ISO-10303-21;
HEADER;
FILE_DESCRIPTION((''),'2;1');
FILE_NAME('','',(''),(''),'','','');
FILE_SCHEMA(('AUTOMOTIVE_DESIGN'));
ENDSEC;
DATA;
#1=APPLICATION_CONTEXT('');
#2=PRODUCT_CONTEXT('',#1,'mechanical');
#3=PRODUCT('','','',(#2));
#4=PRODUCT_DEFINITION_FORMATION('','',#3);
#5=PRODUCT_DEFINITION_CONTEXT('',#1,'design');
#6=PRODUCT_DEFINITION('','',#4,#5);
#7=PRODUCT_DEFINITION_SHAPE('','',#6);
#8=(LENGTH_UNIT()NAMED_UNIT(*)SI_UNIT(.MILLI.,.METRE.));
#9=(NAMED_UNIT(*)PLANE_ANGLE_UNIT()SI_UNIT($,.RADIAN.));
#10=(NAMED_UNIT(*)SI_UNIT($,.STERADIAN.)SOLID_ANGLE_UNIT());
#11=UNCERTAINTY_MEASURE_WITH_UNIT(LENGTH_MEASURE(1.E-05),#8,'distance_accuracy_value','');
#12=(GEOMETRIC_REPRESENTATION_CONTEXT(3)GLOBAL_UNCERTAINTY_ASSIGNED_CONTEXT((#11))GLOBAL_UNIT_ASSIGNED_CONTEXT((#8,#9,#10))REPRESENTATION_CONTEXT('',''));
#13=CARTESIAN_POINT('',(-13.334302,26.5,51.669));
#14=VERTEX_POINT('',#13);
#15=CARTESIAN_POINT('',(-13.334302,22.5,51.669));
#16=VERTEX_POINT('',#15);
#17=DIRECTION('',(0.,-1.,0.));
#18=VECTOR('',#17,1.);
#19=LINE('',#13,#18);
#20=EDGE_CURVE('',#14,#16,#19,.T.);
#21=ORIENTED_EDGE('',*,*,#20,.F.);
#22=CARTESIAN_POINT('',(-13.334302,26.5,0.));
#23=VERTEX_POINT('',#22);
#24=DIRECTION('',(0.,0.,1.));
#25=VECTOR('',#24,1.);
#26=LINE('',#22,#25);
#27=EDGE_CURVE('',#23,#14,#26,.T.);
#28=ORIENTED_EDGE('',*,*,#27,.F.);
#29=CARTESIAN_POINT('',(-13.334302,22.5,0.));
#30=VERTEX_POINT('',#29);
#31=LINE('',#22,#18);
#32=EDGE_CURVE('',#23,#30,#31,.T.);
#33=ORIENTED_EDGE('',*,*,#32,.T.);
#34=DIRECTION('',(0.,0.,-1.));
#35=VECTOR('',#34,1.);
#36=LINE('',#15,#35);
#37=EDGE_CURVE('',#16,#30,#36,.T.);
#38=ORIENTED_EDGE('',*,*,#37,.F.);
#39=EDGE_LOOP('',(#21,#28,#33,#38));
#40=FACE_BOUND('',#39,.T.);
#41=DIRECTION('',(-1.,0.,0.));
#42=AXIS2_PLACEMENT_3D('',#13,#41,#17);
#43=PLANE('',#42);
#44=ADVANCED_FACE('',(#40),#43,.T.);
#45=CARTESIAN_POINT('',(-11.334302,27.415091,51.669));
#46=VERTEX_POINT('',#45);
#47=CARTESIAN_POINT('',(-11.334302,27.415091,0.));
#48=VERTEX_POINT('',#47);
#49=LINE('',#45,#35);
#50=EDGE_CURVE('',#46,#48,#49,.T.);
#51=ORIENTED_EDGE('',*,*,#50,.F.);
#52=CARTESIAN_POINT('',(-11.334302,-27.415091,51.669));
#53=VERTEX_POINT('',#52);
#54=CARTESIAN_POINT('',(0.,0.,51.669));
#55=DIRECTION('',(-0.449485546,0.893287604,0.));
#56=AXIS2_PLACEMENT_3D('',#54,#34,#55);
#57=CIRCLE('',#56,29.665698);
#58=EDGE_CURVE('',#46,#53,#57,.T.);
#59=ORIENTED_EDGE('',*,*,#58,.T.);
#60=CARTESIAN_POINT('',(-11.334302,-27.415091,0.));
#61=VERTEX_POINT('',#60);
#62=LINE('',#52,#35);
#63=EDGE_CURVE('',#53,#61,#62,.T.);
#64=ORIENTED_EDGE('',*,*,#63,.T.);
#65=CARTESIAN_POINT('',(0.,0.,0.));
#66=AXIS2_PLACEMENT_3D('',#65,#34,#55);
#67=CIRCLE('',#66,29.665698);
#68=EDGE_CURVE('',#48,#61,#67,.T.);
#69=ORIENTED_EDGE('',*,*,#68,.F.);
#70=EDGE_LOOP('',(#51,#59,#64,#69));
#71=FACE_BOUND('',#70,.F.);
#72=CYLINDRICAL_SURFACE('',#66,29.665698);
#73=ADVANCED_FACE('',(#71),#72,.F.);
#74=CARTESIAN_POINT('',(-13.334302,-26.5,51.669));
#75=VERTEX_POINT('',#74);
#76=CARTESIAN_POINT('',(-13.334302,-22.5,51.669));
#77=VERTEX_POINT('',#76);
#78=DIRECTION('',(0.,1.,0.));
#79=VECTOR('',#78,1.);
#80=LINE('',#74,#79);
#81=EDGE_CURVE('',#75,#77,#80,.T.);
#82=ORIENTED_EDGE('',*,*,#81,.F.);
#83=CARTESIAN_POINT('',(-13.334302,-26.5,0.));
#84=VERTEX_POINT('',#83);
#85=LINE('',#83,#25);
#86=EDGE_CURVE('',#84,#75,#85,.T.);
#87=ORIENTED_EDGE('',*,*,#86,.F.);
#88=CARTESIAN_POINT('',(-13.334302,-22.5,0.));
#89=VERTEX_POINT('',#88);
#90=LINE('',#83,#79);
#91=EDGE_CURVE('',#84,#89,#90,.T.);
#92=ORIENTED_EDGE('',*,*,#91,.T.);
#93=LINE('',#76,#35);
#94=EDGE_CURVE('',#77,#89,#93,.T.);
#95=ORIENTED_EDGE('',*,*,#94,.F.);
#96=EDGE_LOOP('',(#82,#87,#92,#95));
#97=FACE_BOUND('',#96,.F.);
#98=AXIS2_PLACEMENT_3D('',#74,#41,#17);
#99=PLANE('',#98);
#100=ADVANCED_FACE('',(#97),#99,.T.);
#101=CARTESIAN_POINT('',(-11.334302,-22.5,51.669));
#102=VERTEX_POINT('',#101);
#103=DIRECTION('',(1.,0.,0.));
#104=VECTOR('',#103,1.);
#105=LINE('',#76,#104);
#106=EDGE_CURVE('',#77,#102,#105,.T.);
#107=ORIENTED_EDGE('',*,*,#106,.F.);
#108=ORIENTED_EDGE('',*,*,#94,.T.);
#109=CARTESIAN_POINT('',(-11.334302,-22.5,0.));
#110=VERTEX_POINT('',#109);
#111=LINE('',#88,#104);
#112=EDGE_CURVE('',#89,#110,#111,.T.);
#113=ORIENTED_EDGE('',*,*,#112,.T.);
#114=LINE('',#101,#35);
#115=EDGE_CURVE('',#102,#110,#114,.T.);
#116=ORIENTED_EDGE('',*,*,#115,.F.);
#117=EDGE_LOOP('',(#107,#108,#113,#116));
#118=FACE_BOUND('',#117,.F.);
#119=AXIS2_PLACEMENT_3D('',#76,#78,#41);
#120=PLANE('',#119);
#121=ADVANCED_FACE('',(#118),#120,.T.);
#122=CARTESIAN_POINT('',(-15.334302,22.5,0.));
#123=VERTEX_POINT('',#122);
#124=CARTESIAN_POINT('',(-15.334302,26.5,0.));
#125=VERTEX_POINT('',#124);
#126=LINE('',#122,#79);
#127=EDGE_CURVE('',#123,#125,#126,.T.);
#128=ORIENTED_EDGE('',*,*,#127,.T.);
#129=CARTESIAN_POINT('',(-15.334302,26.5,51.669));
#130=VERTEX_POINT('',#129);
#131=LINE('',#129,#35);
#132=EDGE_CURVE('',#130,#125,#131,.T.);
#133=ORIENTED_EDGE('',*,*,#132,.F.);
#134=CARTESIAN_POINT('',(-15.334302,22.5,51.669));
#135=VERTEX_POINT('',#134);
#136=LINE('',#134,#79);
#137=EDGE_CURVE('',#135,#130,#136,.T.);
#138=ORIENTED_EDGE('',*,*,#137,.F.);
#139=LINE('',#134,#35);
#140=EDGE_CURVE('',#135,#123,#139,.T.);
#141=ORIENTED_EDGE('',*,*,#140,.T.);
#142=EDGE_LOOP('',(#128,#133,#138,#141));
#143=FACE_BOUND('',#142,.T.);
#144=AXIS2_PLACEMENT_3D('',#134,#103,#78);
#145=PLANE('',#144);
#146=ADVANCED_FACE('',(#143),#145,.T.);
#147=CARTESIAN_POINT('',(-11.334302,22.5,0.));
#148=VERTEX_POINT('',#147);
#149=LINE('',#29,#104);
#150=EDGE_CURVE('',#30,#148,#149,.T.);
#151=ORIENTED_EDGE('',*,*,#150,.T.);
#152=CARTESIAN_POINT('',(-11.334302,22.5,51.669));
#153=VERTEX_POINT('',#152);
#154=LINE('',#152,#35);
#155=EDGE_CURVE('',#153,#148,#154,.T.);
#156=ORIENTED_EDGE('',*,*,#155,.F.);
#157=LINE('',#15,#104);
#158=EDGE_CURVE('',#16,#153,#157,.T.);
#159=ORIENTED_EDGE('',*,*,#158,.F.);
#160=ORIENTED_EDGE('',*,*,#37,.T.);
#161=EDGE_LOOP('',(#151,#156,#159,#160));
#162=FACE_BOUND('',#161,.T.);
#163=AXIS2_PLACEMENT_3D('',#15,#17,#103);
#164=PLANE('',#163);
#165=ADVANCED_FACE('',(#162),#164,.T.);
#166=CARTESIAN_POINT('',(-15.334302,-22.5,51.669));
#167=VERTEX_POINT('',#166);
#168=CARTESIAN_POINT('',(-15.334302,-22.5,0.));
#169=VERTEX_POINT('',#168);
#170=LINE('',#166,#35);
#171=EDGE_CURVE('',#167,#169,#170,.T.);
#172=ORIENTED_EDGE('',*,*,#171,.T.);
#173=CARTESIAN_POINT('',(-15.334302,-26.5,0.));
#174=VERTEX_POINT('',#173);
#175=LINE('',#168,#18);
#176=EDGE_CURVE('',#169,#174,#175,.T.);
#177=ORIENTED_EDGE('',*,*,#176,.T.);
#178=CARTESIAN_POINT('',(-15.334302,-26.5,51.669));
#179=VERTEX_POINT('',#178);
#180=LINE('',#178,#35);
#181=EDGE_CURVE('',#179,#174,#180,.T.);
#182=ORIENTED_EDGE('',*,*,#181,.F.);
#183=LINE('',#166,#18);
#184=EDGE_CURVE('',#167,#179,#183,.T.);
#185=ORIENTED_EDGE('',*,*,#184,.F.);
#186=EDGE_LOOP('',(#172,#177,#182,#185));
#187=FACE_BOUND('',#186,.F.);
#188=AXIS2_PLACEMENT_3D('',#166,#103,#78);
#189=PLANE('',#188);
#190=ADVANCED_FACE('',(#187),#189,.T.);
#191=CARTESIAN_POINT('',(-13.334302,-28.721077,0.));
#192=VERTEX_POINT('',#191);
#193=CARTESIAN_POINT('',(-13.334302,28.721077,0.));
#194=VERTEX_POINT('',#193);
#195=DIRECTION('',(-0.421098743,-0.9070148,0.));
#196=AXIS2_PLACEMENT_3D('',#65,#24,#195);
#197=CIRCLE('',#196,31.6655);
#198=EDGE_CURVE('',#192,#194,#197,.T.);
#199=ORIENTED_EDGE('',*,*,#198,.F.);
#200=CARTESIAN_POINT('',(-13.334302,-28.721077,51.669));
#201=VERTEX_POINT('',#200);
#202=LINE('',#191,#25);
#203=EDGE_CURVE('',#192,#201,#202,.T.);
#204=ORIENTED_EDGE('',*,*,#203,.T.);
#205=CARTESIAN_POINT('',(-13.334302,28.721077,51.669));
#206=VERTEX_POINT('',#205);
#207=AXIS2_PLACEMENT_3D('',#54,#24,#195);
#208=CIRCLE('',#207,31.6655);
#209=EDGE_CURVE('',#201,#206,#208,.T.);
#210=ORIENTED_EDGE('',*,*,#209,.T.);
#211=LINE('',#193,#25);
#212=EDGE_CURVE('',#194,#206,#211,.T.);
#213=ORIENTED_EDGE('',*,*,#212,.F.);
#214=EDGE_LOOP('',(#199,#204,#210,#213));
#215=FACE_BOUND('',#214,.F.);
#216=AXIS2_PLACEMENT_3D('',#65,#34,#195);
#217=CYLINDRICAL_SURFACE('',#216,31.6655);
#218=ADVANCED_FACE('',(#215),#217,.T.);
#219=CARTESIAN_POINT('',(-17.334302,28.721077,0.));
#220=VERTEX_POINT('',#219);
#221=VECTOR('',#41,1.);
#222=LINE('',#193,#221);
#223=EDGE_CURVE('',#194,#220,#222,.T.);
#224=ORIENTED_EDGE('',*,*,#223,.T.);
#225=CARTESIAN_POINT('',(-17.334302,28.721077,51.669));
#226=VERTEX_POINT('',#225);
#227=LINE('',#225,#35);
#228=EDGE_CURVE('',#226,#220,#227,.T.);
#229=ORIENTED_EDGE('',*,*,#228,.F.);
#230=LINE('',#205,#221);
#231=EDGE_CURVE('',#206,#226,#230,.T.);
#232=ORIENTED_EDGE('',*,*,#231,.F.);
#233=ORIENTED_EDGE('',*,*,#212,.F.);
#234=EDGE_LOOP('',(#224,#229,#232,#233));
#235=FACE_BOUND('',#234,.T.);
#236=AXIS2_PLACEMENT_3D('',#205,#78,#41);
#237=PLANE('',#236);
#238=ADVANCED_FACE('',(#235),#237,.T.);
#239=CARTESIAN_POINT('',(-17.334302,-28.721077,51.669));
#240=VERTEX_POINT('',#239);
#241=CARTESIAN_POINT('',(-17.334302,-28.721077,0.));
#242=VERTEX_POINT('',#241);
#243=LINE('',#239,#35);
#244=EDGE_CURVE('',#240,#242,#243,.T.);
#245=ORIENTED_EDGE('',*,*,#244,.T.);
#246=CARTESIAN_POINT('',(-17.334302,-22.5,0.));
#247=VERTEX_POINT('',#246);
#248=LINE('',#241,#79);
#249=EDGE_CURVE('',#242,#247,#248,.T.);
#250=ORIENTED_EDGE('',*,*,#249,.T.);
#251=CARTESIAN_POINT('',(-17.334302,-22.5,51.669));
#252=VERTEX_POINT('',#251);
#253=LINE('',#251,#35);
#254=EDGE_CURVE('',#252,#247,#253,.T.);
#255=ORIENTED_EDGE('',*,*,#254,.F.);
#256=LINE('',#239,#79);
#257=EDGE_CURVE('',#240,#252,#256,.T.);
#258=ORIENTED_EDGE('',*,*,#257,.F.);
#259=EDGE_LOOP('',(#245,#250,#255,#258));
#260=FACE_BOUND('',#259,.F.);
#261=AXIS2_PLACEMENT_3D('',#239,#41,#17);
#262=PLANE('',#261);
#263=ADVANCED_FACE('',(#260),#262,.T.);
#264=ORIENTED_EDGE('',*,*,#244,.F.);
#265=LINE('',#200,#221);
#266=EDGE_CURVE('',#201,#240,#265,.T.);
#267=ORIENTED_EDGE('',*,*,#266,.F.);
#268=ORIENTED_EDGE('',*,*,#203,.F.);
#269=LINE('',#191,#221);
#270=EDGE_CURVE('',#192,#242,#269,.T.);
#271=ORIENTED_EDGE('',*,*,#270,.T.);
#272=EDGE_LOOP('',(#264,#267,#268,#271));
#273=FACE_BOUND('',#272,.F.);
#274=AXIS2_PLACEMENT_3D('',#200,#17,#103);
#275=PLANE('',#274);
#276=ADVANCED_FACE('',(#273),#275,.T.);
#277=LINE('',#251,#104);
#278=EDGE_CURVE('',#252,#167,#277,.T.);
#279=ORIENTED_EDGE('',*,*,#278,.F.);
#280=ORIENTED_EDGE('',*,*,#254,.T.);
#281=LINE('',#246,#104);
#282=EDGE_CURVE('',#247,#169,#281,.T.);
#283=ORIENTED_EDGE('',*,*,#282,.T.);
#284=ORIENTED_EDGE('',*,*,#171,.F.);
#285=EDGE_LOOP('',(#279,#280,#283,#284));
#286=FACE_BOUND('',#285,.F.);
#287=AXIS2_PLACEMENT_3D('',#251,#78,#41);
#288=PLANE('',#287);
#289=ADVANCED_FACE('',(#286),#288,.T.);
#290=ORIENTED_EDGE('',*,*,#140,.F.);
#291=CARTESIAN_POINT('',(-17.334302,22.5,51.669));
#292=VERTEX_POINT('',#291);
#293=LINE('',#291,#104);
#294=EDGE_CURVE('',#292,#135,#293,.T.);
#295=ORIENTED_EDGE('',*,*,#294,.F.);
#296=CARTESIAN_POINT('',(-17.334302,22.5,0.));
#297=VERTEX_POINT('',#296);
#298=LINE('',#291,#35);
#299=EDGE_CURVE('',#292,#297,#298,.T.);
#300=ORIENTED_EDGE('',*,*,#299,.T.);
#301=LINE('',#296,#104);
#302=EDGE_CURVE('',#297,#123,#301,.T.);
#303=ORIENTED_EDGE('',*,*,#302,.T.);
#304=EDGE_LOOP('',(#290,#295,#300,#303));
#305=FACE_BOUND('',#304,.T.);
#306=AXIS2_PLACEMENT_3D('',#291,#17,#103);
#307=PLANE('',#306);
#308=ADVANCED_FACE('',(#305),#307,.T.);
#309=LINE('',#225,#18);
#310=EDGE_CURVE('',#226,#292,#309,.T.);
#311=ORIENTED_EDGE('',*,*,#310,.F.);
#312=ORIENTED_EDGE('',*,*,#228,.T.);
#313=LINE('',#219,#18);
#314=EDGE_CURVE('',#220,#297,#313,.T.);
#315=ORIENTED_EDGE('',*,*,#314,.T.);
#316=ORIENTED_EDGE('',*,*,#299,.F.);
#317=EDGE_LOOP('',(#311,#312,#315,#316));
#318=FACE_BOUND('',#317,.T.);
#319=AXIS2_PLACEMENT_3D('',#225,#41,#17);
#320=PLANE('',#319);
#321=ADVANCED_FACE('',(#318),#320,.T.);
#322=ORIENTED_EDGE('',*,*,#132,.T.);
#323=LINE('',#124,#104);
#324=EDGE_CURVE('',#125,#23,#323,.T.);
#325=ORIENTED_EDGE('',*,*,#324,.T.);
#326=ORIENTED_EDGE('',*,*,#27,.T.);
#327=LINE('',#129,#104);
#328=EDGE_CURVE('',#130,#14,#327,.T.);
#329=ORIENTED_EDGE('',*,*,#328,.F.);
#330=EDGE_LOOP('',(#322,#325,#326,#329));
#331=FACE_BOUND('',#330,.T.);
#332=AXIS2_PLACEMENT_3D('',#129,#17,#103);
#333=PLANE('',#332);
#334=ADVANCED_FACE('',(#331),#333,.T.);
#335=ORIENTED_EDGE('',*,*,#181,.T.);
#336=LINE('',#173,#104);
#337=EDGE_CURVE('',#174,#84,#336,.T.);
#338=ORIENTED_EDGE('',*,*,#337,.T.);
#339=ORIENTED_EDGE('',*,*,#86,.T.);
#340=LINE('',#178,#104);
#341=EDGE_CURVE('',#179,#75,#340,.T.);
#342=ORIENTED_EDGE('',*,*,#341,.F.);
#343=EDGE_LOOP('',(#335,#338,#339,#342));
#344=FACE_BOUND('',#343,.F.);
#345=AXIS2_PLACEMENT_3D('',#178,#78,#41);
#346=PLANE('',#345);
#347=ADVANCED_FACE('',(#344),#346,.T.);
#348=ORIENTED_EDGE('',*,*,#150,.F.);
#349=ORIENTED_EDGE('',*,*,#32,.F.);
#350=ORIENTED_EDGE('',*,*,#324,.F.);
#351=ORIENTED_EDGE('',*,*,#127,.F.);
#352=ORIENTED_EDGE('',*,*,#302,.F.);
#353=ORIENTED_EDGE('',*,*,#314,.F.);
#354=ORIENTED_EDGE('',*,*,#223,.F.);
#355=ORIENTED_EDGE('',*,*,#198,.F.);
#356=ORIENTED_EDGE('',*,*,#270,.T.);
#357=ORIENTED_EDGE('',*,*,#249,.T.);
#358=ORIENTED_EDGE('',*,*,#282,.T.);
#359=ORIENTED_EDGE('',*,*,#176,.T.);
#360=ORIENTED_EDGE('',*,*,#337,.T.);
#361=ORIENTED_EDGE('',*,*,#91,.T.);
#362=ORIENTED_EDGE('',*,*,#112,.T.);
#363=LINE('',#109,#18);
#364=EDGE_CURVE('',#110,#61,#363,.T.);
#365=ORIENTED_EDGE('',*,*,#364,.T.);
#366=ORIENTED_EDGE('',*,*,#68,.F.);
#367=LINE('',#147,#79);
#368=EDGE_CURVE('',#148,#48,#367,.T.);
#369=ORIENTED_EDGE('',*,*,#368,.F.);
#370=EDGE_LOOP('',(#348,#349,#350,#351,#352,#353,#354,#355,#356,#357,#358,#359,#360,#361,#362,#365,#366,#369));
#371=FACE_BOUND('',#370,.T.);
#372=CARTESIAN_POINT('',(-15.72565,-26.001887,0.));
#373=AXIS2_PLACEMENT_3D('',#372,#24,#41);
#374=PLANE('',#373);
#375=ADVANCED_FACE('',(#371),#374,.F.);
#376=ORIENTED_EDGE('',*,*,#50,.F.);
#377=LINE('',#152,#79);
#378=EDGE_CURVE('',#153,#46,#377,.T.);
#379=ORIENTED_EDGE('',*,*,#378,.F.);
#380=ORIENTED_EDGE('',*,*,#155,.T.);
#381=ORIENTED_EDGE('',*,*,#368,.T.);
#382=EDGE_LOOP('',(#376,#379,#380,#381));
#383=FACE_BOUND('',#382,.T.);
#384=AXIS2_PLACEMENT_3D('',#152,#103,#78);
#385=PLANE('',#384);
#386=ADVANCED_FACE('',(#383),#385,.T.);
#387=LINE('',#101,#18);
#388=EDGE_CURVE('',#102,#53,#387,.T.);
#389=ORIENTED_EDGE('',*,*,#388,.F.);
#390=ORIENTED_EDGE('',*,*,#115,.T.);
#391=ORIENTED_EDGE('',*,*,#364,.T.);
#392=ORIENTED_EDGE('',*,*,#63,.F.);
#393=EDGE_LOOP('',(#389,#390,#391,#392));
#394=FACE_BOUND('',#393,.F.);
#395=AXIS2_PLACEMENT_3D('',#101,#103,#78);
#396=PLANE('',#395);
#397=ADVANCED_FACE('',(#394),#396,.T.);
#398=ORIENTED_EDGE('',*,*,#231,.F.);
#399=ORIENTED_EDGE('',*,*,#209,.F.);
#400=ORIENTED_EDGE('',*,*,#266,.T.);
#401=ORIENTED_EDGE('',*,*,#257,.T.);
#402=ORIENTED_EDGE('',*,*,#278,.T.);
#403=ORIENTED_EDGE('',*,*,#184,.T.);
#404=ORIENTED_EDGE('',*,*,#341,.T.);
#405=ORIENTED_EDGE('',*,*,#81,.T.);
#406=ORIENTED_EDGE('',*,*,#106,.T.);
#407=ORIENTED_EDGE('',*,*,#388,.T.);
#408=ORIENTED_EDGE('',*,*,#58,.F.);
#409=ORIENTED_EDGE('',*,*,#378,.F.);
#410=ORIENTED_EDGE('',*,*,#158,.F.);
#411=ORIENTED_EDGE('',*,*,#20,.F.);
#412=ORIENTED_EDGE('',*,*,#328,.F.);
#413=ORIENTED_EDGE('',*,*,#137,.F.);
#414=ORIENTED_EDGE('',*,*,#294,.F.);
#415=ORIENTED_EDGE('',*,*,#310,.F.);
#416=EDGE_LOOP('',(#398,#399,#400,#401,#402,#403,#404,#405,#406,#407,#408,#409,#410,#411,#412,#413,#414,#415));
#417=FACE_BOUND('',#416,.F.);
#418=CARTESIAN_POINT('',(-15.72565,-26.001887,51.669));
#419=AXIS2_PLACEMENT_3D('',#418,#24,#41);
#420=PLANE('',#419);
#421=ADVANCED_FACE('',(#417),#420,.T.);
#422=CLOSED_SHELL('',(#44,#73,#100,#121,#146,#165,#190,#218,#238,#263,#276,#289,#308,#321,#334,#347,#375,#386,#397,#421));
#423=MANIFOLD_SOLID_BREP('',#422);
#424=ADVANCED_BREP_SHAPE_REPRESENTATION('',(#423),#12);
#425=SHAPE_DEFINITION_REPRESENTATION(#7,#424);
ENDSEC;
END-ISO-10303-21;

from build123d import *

# Parameters (mm, degrees)
F1_DEPTH = 51.669
F3_DEPTH = 51.669


with BuildPart() as f1:
    # F0 (on Top) → F1 (new body)
    with BuildSketch(Plane.XY):
        with BuildLine():
            ThreePointArc((-13.334302, 26.5), (29.665698, 0), (-13.334302, -26.5))
            Line((-13.334302, -26.5), (-13.334302, -28.721077))
            ThreePointArc((-13.334302, -28.721077), (31.6655, 0), (-13.334302, 28.721077))
            Line((-13.334302, 28.721077), (-13.334302, 26.5))
        make_face()
    extrude(amount=F1_DEPTH)

    # F2 (on face) → F3 (join)
    with BuildSketch(Plane.XY.offset(51.669)):
        Polygon((-15.334302, 26.5), (-13.334302, 26.5), (-13.334302, 28.721077), (-17.334302, 28.721077), (-17.334302, 26.5), (-17.334302, 22.5), (-15.334302, 22.5), align=None)
        with BuildLine():
            Line((-11.334302, 22.5), (-11.334302, 27.415091))
            ThreePointArc((-11.334302, 27.415091), (-12.342786, 26.976087), (-13.334302, 26.5))
            Line((-13.334302, 26.5), (-13.334302, 22.5))
            Line((-13.334302, 22.5), (-11.334302, 22.5))
        make_face()
    extrude(amount=-F3_DEPTH)

    # F4: F1 across plane


with BuildPart() as f1_1:
    add(f1.part)
    add(f1.part.mirror(Plane.XZ))


solid = f1_1.part
